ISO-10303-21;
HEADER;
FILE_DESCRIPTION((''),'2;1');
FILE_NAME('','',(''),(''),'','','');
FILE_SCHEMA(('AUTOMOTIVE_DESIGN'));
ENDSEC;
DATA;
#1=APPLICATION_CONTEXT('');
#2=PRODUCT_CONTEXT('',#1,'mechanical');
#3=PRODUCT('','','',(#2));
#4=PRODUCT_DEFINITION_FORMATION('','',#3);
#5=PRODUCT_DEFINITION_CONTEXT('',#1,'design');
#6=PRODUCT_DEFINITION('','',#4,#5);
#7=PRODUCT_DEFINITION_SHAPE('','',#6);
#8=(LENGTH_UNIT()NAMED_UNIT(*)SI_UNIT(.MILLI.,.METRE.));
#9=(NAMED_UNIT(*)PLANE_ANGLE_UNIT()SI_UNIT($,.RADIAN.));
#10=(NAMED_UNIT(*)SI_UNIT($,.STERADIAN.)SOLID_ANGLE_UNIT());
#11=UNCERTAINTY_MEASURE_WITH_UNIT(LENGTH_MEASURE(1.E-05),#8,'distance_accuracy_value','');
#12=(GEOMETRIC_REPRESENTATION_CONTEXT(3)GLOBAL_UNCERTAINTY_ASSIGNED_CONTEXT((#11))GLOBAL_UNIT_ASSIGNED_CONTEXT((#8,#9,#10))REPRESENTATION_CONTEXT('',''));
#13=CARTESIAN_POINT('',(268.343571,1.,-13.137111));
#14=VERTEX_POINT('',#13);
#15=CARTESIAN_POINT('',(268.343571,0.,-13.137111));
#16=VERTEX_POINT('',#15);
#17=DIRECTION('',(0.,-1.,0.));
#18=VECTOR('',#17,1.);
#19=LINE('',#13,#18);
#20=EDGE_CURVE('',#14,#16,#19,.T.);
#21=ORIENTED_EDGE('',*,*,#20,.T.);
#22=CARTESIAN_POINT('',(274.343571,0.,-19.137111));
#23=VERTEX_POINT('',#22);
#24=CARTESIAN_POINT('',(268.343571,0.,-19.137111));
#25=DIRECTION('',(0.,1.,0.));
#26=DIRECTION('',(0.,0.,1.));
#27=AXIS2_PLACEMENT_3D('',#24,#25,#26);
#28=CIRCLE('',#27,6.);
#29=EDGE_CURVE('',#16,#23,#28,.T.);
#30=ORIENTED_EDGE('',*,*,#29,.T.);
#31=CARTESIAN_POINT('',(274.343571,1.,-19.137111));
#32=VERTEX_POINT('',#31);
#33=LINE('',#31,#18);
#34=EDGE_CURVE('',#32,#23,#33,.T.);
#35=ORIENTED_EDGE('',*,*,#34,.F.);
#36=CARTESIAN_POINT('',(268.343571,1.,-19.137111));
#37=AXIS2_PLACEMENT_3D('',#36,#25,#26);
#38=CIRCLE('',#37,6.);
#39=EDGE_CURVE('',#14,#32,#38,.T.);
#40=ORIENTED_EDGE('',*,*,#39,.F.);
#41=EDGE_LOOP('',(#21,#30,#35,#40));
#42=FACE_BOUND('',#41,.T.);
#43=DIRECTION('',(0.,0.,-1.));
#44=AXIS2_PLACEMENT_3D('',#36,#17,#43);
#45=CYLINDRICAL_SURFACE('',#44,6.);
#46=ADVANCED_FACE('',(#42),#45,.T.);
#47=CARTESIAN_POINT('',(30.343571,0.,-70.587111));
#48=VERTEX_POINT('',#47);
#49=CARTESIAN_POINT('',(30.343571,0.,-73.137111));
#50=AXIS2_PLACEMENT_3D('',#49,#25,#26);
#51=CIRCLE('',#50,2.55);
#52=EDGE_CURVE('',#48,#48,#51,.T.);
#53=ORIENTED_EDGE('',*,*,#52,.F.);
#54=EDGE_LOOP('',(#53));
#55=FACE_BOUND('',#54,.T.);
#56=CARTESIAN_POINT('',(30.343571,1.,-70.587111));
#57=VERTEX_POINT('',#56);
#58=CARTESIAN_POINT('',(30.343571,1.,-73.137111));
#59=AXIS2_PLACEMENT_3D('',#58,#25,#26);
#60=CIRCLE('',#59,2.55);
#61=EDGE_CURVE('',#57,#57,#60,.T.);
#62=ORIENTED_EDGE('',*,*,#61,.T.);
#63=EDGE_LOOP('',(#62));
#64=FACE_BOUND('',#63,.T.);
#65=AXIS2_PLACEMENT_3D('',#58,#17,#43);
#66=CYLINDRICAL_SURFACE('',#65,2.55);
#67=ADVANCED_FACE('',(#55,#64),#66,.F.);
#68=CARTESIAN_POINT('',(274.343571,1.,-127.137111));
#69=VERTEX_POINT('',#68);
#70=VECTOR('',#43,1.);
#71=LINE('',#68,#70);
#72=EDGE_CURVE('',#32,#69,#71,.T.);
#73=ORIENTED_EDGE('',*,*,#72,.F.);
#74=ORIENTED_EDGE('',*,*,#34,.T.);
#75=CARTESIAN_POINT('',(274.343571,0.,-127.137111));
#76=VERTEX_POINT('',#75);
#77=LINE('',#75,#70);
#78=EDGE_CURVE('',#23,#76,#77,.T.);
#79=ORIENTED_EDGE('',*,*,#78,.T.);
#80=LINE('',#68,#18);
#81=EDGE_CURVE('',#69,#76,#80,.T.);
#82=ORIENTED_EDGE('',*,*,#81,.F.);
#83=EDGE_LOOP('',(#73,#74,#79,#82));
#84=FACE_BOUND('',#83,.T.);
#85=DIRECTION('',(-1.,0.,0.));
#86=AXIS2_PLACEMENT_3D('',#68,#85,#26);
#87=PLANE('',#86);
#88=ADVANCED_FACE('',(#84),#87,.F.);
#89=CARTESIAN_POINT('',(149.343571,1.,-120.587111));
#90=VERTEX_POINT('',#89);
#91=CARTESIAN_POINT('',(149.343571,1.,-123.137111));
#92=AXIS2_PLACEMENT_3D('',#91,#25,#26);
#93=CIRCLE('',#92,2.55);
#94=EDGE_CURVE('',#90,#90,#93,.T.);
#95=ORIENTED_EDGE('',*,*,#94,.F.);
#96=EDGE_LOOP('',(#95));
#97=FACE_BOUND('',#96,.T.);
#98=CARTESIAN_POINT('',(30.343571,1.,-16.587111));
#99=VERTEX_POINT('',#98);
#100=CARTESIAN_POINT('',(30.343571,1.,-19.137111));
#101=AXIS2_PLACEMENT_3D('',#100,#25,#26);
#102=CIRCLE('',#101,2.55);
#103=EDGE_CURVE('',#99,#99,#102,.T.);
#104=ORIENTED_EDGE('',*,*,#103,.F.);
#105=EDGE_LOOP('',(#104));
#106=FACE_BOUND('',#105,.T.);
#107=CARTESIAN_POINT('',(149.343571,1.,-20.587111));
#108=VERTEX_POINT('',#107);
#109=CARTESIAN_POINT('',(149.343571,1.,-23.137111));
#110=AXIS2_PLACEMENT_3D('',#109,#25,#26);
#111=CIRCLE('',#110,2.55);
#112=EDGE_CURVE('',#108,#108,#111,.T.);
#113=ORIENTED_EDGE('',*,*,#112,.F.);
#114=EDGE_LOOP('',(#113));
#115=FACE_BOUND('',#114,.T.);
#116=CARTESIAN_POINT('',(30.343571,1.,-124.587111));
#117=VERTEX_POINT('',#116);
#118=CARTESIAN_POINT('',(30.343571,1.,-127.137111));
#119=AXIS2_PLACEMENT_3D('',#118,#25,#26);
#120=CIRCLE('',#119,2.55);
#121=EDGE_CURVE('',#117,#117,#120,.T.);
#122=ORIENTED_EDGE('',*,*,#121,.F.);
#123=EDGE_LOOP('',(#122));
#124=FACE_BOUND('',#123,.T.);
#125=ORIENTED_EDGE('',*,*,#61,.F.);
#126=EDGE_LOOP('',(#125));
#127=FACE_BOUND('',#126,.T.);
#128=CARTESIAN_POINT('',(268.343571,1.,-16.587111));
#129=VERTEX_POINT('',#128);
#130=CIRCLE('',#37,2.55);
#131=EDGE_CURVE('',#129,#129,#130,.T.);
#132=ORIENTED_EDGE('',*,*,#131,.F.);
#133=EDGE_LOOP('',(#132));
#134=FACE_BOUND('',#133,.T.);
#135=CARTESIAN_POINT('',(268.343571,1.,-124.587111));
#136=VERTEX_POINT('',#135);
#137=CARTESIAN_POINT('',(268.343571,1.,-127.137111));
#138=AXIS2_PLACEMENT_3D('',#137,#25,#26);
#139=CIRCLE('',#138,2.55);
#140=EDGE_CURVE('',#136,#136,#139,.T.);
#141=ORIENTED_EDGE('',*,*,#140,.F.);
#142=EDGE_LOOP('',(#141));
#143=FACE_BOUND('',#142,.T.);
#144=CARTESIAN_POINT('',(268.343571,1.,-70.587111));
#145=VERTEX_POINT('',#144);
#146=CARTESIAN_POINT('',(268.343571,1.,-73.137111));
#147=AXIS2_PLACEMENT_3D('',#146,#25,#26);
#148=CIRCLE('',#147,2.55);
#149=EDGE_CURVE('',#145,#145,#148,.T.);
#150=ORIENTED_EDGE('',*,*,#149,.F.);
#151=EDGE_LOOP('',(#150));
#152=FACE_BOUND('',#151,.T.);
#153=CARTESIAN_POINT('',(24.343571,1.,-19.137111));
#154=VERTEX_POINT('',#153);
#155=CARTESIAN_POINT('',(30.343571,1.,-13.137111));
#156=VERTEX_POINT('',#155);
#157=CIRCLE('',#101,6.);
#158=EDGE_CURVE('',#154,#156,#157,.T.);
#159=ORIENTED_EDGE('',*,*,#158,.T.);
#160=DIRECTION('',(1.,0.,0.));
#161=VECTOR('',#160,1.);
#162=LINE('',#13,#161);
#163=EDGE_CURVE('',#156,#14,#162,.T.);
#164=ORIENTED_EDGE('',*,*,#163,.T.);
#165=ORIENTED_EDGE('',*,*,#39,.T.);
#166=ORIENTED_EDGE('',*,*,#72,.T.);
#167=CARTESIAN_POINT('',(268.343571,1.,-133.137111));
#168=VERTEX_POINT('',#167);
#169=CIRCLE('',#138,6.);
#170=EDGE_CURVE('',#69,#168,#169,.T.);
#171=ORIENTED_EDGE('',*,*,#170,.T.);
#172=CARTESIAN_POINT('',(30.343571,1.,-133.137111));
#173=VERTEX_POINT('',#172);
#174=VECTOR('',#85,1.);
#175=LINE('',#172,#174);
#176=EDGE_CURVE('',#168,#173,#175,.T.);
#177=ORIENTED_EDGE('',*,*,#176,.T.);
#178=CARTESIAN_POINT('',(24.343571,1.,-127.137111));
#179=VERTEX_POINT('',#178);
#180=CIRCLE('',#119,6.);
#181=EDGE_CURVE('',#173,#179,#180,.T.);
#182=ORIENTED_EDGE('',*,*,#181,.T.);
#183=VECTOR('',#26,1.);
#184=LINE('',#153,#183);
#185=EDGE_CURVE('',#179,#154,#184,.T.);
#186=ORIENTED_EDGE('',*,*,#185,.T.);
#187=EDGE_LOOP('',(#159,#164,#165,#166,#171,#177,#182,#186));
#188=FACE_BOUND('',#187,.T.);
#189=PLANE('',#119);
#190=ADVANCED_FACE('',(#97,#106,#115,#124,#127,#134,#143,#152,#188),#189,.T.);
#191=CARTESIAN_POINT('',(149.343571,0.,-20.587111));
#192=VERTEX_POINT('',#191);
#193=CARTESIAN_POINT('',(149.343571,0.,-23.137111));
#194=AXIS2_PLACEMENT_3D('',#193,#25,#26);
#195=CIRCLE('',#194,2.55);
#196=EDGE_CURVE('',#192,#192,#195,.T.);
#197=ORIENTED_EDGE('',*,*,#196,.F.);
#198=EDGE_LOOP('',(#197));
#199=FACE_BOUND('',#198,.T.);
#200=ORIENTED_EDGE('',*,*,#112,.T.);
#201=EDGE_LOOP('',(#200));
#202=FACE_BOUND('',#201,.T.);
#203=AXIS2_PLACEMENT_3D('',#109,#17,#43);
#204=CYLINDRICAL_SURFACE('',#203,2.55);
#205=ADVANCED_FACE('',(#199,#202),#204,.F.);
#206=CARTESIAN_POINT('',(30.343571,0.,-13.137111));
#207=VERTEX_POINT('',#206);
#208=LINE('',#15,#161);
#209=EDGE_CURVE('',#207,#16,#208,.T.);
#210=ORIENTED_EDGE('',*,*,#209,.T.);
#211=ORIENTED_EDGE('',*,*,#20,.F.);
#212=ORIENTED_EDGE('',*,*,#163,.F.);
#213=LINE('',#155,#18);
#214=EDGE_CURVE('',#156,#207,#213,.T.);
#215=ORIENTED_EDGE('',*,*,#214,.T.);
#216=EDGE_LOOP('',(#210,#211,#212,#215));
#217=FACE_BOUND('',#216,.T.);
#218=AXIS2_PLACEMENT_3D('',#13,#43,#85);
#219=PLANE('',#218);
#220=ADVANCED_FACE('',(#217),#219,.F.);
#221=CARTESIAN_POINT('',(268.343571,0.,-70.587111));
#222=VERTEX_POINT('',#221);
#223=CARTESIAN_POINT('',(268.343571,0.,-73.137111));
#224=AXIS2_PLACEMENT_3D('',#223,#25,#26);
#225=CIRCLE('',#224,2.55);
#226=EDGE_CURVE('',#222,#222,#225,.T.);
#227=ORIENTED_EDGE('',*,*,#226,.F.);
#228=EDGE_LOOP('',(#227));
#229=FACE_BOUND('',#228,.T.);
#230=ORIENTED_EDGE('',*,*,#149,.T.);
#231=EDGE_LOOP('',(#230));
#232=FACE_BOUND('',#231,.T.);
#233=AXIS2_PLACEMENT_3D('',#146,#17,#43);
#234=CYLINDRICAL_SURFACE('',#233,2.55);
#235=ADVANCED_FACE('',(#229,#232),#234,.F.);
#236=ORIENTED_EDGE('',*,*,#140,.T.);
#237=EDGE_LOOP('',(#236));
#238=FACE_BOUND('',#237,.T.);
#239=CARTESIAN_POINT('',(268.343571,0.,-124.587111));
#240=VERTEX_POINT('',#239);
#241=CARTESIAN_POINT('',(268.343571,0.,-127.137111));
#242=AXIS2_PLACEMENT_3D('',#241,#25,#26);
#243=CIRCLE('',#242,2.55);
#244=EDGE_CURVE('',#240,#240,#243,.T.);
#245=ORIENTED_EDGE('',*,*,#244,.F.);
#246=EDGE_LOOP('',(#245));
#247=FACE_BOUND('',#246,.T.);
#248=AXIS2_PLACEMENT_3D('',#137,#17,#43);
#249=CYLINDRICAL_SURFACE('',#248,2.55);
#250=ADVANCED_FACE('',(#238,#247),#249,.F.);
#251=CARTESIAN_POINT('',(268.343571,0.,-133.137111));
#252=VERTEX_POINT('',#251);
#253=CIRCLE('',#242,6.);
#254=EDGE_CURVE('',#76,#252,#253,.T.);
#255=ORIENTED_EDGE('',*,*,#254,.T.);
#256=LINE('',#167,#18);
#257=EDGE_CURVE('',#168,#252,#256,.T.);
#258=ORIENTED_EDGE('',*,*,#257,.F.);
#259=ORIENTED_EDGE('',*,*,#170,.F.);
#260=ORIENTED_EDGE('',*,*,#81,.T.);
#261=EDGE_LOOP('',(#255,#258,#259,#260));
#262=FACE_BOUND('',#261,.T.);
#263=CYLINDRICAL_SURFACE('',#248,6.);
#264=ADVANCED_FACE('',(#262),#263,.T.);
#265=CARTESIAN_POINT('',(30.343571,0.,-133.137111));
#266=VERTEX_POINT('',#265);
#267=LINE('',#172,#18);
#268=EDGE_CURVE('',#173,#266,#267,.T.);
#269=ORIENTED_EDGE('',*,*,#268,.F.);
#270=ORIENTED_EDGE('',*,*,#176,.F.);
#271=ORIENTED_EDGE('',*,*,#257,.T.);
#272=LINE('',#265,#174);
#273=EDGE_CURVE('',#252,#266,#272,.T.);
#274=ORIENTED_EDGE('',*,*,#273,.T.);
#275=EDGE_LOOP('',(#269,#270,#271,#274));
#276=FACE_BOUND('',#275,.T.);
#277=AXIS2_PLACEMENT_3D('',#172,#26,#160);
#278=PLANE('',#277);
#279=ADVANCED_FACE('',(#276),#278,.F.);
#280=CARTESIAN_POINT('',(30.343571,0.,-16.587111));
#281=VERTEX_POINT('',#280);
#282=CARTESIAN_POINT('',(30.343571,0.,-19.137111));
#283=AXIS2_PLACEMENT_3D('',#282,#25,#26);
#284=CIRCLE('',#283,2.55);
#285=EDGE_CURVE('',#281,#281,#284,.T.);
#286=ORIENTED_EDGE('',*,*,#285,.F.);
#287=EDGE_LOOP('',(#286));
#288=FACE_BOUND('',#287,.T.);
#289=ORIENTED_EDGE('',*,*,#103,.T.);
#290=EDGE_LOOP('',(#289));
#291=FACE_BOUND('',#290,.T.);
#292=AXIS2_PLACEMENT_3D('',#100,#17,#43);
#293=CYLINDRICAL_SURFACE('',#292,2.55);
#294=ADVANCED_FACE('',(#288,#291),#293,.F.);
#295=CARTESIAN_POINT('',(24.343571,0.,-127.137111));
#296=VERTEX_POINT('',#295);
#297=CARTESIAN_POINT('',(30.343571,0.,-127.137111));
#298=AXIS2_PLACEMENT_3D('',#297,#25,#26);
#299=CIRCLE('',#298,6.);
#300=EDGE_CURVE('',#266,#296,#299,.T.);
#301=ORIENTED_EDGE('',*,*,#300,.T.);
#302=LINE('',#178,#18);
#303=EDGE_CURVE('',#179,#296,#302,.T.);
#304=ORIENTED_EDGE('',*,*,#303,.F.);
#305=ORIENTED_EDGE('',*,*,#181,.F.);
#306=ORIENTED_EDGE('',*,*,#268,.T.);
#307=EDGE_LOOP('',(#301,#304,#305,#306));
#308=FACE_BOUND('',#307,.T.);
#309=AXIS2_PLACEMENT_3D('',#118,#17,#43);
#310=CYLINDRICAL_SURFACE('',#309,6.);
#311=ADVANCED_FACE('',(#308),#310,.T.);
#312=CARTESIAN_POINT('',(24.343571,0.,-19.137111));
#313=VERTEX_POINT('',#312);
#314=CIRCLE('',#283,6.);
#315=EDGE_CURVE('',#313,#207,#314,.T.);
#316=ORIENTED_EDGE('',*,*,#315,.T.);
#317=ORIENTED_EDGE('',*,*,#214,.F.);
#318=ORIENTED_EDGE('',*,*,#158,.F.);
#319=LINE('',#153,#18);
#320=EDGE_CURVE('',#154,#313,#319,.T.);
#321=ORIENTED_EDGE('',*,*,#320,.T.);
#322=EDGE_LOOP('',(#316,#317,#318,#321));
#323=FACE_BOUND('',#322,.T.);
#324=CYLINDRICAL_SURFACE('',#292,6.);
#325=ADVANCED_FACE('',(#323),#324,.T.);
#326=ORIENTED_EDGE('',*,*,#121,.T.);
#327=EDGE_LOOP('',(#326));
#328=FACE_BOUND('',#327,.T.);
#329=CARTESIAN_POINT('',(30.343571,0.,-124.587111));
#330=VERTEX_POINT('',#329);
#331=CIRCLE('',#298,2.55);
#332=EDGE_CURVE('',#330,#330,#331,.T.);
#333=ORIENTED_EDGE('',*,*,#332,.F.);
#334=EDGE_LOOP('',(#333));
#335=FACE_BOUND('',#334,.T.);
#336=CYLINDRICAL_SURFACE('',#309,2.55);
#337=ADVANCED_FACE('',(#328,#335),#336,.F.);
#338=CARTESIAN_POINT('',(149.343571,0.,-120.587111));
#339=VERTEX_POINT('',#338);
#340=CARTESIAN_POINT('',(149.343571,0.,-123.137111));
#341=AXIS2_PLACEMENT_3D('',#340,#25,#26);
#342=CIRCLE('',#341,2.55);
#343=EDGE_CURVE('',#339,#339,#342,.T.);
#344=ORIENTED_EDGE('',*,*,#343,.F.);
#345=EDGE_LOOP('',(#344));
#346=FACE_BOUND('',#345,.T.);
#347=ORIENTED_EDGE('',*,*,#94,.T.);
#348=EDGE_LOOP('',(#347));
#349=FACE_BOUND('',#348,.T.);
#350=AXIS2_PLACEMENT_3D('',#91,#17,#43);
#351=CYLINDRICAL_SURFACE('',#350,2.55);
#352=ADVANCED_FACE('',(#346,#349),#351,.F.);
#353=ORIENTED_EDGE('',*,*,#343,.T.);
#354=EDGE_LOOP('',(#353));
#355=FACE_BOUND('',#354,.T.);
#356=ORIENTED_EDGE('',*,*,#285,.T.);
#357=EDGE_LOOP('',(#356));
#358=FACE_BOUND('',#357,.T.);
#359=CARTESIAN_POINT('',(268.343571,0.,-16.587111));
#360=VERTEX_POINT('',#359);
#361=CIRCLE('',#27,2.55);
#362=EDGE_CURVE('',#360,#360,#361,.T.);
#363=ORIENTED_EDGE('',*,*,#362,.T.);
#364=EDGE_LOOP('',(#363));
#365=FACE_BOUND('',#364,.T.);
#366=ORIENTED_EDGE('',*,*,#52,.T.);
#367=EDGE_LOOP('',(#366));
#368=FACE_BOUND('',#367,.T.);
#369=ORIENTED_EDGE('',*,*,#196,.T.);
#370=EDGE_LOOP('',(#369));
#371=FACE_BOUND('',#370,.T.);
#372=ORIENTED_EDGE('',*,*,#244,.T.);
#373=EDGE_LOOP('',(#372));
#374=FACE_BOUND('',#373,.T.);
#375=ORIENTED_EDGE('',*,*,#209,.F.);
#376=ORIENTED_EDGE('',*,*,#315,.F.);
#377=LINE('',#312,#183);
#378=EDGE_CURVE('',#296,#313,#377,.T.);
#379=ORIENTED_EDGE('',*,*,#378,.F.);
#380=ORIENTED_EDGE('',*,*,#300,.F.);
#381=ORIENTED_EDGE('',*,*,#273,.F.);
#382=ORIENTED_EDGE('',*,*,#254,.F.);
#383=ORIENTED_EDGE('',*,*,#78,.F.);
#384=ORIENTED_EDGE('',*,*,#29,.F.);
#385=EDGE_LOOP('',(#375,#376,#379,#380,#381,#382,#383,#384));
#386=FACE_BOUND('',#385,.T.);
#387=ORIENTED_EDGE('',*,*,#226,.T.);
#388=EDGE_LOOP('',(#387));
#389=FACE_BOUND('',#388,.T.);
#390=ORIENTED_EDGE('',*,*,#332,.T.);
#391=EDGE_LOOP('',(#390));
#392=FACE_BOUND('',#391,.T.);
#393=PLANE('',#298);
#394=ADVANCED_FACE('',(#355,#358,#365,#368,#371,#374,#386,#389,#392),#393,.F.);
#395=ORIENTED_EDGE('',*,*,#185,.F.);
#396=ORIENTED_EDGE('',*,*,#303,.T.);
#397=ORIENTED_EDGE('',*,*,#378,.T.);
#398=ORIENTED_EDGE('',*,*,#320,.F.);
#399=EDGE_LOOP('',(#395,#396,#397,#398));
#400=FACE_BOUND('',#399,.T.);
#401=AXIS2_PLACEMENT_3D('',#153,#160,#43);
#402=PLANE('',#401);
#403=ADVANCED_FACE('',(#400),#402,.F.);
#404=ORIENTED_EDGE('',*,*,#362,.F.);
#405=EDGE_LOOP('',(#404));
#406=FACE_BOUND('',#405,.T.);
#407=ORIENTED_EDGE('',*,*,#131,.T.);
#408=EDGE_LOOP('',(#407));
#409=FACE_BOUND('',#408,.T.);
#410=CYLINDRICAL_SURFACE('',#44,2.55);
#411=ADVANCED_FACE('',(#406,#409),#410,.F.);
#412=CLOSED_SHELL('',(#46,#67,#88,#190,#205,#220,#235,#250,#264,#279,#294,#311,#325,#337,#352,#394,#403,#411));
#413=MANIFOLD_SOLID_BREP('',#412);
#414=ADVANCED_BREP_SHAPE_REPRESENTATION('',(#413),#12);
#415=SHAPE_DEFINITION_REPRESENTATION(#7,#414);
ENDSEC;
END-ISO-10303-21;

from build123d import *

# Parameters (mm, degrees)
SKETCH_1_R      = 2.55
EXTRUDE_1_DEPTH = 1


with BuildPart() as part:
    # 草图1 → 凸台-拉伸1 (new body)
    with BuildSketch(Plane(origin=(0, 0, 0), x_dir=(1, 0, 0), z_dir=(0, 1, 0))):
        with BuildLine():
            Line((30.343570916, 133.137110586), (268.343570916, 133.137110586))
            ThreePointArc((268.343570916, 133.137110586), (272.586211603, 131.379751274), (274.343570916, 127.137110586))
            Line((274.343570916, 127.137110586), (274.343570916, 19.137110586))
            ThreePointArc((274.343570916, 19.137110586), (272.586211603, 14.894469899), (268.343570916, 13.137110586))
            Line((268.343570916, 13.137110586), (30.343570916, 13.137110586))
            ThreePointArc((30.343570916, 13.137110586), (26.100930228, 14.894469899), (24.343570916, 19.137110586))
            Line((24.343570916, 19.137110586), (24.343570916, 127.137110586))
            ThreePointArc((24.343570916, 127.137110586), (26.100930228, 131.379751274), (30.343570916, 133.137110586))
        make_face()
        with Locations(Location((30.343570916, 127.137110586, 0), (0, 0, 270))):
            Circle(SKETCH_1_R, mode=Mode.SUBTRACT)
        with Locations(Location((268.343570916, 127.137110586, 0), (0, 0, 270))):
            Circle(SKETCH_1_R, mode=Mode.SUBTRACT)
        with Locations(Location((149.343570916, 123.137110586, 0), (0, 0, 270))):
            Circle(SKETCH_1_R, mode=Mode.SUBTRACT)
        with Locations(Location((30.343570916, 19.137110586, 0), (0, 0, 270))):
            Circle(SKETCH_1_R, mode=Mode.SUBTRACT)
        with Locations(Location((268.343570916, 19.137110586, 0), (0, 0, 270))):
            Circle(SKETCH_1_R, mode=Mode.SUBTRACT)
        with Locations(Location((149.343570916, 23.137110586, 0), (0, 0, 270))):
            Circle(SKETCH_1_R, mode=Mode.SUBTRACT)
        with Locations(Location((268.343570916, 73.137110586, 0), (0, 0, 270))):
            Circle(SKETCH_1_R, mode=Mode.SUBTRACT)
        with Locations(Location((30.343570916, 73.137110586, 0), (0, 0, 270))):
            Circle(SKETCH_1_R, mode=Mode.SUBTRACT)
    extrude(amount=EXTRUDE_1_DEPTH)


solid = part.part
